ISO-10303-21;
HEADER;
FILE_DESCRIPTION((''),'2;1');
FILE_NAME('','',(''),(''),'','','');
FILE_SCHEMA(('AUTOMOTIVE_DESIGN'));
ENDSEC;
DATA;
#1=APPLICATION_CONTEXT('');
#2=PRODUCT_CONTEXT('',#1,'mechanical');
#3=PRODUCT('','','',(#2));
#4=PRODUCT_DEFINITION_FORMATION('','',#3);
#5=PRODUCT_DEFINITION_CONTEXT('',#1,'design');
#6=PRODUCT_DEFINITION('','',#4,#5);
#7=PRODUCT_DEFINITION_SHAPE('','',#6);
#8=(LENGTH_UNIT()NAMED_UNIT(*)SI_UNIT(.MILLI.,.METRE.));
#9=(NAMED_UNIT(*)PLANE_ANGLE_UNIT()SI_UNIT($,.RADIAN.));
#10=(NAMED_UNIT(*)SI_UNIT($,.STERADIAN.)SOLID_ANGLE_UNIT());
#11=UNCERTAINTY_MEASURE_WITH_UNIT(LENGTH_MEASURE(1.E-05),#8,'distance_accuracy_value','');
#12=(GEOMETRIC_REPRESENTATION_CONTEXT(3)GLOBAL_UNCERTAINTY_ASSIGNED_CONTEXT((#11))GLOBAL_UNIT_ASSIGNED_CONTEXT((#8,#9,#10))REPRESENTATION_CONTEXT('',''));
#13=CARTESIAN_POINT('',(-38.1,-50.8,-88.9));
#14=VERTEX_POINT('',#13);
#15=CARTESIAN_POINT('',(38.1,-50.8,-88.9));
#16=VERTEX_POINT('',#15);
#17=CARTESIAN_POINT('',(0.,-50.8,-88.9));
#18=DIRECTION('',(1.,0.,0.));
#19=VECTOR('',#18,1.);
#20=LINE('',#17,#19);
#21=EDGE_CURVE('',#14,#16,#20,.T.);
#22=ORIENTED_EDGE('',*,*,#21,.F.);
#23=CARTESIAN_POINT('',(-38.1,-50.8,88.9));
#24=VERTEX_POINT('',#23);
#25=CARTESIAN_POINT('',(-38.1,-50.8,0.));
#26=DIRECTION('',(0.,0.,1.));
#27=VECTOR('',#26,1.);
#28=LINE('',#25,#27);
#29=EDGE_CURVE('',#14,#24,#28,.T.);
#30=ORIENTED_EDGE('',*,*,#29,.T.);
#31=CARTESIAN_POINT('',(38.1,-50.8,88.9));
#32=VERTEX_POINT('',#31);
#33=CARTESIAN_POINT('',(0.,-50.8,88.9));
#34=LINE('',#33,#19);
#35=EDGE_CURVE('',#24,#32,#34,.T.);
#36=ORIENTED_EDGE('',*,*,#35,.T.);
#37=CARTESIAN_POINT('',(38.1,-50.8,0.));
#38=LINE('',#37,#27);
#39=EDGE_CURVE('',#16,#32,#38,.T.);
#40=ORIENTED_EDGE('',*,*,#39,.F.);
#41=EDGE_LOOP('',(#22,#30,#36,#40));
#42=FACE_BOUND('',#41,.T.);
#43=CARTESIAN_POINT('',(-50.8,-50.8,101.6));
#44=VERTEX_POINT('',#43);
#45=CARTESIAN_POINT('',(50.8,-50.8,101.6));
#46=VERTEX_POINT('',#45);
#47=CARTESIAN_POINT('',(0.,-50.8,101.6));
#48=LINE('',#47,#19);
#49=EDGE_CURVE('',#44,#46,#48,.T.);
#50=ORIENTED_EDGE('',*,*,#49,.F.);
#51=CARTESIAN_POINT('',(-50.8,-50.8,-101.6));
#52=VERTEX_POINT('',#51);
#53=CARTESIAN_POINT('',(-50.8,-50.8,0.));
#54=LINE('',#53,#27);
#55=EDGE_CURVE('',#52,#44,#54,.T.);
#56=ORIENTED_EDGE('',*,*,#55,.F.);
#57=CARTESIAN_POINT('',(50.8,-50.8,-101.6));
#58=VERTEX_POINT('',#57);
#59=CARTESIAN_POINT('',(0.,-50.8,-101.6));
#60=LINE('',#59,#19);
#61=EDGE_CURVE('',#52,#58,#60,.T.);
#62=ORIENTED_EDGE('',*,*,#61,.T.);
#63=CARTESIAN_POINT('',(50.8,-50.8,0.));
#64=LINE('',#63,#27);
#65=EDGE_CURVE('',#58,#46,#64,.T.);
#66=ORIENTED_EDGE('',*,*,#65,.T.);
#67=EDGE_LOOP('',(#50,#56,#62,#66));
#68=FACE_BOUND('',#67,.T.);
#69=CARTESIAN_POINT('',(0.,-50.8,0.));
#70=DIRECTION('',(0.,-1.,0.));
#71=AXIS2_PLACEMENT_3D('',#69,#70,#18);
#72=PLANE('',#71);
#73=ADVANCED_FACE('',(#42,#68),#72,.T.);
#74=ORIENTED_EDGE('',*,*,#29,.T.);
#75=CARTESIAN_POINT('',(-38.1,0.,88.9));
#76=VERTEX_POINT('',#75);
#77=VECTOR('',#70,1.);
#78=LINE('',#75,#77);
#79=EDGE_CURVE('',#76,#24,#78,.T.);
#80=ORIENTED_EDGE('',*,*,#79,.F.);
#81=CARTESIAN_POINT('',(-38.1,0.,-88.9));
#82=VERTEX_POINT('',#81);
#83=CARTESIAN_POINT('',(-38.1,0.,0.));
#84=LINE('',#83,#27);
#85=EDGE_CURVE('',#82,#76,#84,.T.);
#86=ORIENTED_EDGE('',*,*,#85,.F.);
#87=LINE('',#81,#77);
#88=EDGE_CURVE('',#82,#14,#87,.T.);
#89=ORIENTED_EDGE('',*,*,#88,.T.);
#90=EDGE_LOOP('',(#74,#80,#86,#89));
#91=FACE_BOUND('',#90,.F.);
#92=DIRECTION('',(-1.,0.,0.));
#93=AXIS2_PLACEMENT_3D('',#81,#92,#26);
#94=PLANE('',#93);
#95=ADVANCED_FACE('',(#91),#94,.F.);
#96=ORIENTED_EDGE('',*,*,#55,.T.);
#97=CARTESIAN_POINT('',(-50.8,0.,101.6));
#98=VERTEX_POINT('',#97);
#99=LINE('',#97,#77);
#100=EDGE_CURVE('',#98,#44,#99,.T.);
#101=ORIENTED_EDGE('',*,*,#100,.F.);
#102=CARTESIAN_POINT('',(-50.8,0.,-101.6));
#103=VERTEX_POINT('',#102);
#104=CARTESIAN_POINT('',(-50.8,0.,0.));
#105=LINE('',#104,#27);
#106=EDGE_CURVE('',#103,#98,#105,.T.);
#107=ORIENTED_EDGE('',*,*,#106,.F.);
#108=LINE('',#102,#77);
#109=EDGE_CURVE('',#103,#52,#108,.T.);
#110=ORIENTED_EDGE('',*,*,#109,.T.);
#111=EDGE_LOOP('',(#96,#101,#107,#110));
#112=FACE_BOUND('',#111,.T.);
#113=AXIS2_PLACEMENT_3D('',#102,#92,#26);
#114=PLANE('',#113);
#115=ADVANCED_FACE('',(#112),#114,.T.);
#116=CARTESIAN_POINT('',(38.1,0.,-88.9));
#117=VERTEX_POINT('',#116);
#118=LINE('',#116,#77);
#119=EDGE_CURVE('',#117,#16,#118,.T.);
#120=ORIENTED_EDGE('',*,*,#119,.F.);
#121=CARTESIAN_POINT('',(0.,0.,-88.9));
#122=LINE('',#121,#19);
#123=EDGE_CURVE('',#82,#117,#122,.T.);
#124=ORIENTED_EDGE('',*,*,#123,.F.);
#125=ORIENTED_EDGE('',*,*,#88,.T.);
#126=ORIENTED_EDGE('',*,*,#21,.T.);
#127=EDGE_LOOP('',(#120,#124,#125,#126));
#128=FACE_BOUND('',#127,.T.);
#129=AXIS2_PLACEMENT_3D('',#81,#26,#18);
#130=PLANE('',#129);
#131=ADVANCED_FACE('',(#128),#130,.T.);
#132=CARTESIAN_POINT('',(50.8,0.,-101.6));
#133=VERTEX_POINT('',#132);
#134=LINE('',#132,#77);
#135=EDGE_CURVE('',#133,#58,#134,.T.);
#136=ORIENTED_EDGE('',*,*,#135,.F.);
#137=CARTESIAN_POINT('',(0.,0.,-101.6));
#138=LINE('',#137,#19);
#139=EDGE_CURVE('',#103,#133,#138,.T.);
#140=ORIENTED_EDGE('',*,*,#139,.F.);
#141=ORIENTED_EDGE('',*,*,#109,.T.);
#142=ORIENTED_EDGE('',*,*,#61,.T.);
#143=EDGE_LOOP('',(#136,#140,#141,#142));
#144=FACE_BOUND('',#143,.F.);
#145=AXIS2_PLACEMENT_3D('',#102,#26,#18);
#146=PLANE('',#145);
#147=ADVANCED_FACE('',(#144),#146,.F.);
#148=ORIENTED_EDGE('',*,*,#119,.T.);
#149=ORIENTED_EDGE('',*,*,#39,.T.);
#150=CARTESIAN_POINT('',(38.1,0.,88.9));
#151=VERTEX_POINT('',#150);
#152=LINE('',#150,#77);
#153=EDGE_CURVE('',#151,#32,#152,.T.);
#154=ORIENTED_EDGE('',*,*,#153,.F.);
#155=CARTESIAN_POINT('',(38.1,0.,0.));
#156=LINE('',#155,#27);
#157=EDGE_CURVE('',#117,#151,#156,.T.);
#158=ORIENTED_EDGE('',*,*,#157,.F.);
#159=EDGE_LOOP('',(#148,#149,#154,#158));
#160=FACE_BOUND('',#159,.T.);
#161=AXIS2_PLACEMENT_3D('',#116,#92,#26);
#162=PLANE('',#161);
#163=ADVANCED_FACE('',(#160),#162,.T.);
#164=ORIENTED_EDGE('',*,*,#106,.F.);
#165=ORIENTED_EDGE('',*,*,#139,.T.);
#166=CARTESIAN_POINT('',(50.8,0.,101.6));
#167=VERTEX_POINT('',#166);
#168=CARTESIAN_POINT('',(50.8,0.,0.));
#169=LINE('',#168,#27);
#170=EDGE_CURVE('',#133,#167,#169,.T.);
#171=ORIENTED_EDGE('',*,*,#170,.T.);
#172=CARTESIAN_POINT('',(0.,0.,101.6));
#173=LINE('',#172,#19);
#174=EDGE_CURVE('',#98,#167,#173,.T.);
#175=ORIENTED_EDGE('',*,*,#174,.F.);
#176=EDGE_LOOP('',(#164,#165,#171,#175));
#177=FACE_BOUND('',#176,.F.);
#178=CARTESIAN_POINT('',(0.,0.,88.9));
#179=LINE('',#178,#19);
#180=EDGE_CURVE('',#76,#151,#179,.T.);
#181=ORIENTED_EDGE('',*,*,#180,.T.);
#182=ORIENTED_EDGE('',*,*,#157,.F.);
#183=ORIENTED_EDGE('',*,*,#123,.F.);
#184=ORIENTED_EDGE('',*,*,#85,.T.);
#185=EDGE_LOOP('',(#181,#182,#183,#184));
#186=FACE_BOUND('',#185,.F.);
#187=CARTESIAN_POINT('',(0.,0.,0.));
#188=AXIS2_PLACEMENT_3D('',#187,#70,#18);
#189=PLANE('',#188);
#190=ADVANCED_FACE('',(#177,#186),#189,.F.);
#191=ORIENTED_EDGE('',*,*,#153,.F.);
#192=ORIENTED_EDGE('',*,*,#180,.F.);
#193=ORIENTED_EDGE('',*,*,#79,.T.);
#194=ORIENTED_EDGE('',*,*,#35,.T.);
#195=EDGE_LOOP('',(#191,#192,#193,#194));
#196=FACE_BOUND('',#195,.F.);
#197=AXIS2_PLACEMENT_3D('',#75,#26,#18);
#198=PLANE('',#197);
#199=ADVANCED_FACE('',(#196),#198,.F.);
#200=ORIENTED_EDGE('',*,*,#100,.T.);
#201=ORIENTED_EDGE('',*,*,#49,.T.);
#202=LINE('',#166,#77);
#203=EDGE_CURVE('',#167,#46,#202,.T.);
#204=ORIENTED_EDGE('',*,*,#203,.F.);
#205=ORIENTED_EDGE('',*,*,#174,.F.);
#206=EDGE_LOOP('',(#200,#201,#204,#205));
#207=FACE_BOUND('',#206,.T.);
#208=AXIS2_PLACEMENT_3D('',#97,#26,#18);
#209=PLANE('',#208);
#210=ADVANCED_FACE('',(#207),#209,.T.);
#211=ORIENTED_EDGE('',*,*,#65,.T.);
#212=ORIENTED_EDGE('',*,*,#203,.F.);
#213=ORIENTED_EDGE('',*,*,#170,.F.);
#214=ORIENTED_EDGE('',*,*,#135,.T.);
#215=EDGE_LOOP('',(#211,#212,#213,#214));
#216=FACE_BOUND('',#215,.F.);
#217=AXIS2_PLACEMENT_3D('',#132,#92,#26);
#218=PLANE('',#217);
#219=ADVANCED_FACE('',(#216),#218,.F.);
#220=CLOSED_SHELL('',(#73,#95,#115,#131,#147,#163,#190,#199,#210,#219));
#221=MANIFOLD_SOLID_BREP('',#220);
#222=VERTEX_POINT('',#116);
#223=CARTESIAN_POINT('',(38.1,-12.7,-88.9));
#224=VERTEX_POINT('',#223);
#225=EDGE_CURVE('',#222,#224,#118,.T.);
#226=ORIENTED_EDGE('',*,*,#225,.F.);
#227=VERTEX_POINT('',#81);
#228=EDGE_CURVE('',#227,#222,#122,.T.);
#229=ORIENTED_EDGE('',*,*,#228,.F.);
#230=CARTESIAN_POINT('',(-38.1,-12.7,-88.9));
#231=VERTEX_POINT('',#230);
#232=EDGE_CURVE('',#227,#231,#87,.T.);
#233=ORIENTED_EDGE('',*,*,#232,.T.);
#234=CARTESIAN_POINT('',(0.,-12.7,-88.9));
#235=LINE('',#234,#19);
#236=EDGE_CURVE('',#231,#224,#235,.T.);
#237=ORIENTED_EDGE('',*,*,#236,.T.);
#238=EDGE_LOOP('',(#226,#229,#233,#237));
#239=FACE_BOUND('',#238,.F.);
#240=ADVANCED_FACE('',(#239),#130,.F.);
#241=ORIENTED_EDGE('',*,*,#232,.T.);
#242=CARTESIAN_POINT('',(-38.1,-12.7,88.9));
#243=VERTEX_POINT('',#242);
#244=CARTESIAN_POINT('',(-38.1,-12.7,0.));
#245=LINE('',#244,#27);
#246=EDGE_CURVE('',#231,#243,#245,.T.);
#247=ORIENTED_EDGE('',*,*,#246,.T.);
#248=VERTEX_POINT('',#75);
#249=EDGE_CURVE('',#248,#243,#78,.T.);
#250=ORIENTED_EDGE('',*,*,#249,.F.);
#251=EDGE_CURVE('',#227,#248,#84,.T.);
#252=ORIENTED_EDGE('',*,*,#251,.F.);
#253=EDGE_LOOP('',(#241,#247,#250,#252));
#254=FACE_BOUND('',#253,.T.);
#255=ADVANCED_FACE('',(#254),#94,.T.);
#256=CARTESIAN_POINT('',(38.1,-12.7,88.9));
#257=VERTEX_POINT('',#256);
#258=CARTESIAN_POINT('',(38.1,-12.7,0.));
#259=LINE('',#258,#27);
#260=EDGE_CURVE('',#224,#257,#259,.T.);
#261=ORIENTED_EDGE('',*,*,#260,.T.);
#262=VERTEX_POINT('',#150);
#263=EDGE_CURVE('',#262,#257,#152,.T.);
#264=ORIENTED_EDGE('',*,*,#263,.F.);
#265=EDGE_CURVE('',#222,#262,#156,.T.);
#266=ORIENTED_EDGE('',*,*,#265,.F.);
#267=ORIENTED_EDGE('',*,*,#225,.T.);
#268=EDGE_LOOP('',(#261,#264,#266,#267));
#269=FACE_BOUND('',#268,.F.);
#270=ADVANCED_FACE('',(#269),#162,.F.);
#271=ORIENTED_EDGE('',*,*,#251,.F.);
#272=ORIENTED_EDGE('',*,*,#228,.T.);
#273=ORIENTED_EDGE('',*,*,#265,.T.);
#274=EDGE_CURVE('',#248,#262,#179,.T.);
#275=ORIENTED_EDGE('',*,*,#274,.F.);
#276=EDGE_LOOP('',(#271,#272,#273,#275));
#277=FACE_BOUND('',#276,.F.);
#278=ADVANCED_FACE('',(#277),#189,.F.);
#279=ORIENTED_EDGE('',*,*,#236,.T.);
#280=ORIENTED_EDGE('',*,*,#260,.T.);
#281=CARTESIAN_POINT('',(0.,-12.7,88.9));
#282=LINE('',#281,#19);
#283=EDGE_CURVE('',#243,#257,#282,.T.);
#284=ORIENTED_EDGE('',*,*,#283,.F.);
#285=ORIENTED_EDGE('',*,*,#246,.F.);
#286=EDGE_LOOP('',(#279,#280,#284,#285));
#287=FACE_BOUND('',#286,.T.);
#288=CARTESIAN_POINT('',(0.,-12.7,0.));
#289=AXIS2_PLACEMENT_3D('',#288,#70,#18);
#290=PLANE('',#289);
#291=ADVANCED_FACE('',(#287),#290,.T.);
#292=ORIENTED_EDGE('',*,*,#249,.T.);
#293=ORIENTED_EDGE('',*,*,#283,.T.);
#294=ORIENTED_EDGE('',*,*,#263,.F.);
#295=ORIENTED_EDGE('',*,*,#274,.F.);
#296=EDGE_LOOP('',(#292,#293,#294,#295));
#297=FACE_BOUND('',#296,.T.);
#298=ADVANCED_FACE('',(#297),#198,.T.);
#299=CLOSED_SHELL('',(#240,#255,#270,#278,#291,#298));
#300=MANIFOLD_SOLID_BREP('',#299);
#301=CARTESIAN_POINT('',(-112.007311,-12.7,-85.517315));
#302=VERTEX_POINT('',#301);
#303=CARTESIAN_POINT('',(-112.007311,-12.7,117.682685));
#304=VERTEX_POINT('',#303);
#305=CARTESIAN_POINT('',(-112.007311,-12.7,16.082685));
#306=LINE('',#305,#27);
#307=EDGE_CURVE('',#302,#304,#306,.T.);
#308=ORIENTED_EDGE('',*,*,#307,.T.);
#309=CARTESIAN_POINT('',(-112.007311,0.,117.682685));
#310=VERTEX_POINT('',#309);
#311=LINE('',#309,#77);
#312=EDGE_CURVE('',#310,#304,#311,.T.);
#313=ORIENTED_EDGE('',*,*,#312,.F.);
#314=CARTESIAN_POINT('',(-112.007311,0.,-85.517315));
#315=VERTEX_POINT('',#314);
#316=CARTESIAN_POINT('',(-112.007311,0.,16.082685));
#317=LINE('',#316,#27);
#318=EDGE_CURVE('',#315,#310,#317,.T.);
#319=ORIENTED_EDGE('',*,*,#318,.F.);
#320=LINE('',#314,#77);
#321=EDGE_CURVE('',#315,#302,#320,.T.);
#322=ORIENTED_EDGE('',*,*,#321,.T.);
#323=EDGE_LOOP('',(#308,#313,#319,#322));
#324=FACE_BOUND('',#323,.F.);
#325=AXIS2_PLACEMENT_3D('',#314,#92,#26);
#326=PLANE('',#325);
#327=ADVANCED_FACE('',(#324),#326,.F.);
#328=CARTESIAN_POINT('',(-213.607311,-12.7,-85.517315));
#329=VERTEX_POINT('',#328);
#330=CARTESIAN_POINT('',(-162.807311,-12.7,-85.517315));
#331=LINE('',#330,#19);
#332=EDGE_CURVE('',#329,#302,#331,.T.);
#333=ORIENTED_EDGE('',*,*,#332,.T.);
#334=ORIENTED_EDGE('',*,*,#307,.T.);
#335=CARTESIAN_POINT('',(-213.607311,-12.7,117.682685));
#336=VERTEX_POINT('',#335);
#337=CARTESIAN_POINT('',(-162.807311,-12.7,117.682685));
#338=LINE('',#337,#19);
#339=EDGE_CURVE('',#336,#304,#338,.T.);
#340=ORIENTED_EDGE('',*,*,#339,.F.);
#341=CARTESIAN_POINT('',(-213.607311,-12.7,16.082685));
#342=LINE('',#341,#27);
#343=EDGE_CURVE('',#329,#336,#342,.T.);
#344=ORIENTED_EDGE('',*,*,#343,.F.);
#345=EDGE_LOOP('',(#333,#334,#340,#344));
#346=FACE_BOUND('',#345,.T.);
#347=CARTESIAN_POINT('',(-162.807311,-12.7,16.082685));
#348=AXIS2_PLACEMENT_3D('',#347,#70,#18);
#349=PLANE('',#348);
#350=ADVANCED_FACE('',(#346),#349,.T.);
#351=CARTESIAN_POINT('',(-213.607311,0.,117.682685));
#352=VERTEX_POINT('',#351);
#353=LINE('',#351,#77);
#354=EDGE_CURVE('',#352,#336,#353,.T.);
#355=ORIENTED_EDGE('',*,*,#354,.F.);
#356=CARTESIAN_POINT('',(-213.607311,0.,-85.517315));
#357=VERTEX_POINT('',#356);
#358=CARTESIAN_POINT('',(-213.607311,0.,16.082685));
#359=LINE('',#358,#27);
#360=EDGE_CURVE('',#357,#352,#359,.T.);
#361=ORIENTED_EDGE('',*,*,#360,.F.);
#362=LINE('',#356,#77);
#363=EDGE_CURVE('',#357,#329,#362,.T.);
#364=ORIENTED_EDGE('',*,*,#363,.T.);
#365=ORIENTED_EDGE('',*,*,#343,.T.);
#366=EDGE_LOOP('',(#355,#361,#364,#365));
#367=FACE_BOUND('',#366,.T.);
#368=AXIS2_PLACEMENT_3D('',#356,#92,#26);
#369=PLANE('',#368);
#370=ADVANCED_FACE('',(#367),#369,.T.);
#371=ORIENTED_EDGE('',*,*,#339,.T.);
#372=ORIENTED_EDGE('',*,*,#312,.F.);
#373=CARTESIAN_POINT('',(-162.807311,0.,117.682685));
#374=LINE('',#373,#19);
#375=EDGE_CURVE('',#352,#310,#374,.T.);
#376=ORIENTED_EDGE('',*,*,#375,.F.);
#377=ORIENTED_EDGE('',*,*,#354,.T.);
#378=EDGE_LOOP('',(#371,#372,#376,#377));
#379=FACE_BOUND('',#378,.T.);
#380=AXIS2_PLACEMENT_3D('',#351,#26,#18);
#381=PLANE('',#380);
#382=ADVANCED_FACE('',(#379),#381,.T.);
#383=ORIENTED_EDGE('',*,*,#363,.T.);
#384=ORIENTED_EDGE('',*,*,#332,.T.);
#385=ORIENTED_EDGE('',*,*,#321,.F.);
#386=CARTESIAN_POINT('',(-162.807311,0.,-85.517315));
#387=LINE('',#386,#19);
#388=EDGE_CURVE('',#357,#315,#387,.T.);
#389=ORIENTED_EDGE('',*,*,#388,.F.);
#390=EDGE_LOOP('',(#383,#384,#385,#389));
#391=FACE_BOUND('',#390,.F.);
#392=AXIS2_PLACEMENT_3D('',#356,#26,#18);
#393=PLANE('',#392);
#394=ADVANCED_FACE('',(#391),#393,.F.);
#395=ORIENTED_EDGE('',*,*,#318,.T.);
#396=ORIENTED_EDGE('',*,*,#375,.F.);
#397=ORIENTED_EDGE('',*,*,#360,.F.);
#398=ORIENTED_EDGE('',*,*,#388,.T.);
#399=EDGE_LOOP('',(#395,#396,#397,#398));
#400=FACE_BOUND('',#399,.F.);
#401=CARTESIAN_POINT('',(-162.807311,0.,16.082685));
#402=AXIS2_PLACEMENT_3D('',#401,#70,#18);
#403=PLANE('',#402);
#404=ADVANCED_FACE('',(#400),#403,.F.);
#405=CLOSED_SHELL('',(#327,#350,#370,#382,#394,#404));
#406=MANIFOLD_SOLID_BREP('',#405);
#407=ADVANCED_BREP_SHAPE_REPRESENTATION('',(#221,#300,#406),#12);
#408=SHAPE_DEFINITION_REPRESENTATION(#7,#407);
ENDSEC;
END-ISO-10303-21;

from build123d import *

# Parameters (mm, degrees)
F0_W     = 101.6
F0_H     = 203.2
F0_W_2   = 76.2
F0_H_2   = 177.8
F1_DEPTH = 50.8
F2_DEPTH = 12.7
F3_DEPTH = 12.7


with BuildPart() as f1:
    # F0 (on Front) → F1 (new body)
    with BuildSketch(Plane.XZ):
        Rectangle(F0_W, F0_H)
        Rectangle(F0_W_2, F0_H_2, mode=Mode.SUBTRACT)
    extrude(amount=F1_DEPTH)


with BuildPart() as f2:
    # F0 (on Front) → F2 (new body)
    with BuildSketch(Plane.XZ):
        Rectangle(F0_W_2, F0_H_2)
    extrude(amount=F2_DEPTH)


with BuildPart() as f3:
    # F0 (on Front) → F3 (new body)
    with BuildSketch(Plane.XZ):
        with Locations((-162.807311, 16.082685)):
            Rectangle(F0_W, F0_H)
    extrude(amount=F3_DEPTH)


solid = Compound([f1.part, f2.part, f3.part])
